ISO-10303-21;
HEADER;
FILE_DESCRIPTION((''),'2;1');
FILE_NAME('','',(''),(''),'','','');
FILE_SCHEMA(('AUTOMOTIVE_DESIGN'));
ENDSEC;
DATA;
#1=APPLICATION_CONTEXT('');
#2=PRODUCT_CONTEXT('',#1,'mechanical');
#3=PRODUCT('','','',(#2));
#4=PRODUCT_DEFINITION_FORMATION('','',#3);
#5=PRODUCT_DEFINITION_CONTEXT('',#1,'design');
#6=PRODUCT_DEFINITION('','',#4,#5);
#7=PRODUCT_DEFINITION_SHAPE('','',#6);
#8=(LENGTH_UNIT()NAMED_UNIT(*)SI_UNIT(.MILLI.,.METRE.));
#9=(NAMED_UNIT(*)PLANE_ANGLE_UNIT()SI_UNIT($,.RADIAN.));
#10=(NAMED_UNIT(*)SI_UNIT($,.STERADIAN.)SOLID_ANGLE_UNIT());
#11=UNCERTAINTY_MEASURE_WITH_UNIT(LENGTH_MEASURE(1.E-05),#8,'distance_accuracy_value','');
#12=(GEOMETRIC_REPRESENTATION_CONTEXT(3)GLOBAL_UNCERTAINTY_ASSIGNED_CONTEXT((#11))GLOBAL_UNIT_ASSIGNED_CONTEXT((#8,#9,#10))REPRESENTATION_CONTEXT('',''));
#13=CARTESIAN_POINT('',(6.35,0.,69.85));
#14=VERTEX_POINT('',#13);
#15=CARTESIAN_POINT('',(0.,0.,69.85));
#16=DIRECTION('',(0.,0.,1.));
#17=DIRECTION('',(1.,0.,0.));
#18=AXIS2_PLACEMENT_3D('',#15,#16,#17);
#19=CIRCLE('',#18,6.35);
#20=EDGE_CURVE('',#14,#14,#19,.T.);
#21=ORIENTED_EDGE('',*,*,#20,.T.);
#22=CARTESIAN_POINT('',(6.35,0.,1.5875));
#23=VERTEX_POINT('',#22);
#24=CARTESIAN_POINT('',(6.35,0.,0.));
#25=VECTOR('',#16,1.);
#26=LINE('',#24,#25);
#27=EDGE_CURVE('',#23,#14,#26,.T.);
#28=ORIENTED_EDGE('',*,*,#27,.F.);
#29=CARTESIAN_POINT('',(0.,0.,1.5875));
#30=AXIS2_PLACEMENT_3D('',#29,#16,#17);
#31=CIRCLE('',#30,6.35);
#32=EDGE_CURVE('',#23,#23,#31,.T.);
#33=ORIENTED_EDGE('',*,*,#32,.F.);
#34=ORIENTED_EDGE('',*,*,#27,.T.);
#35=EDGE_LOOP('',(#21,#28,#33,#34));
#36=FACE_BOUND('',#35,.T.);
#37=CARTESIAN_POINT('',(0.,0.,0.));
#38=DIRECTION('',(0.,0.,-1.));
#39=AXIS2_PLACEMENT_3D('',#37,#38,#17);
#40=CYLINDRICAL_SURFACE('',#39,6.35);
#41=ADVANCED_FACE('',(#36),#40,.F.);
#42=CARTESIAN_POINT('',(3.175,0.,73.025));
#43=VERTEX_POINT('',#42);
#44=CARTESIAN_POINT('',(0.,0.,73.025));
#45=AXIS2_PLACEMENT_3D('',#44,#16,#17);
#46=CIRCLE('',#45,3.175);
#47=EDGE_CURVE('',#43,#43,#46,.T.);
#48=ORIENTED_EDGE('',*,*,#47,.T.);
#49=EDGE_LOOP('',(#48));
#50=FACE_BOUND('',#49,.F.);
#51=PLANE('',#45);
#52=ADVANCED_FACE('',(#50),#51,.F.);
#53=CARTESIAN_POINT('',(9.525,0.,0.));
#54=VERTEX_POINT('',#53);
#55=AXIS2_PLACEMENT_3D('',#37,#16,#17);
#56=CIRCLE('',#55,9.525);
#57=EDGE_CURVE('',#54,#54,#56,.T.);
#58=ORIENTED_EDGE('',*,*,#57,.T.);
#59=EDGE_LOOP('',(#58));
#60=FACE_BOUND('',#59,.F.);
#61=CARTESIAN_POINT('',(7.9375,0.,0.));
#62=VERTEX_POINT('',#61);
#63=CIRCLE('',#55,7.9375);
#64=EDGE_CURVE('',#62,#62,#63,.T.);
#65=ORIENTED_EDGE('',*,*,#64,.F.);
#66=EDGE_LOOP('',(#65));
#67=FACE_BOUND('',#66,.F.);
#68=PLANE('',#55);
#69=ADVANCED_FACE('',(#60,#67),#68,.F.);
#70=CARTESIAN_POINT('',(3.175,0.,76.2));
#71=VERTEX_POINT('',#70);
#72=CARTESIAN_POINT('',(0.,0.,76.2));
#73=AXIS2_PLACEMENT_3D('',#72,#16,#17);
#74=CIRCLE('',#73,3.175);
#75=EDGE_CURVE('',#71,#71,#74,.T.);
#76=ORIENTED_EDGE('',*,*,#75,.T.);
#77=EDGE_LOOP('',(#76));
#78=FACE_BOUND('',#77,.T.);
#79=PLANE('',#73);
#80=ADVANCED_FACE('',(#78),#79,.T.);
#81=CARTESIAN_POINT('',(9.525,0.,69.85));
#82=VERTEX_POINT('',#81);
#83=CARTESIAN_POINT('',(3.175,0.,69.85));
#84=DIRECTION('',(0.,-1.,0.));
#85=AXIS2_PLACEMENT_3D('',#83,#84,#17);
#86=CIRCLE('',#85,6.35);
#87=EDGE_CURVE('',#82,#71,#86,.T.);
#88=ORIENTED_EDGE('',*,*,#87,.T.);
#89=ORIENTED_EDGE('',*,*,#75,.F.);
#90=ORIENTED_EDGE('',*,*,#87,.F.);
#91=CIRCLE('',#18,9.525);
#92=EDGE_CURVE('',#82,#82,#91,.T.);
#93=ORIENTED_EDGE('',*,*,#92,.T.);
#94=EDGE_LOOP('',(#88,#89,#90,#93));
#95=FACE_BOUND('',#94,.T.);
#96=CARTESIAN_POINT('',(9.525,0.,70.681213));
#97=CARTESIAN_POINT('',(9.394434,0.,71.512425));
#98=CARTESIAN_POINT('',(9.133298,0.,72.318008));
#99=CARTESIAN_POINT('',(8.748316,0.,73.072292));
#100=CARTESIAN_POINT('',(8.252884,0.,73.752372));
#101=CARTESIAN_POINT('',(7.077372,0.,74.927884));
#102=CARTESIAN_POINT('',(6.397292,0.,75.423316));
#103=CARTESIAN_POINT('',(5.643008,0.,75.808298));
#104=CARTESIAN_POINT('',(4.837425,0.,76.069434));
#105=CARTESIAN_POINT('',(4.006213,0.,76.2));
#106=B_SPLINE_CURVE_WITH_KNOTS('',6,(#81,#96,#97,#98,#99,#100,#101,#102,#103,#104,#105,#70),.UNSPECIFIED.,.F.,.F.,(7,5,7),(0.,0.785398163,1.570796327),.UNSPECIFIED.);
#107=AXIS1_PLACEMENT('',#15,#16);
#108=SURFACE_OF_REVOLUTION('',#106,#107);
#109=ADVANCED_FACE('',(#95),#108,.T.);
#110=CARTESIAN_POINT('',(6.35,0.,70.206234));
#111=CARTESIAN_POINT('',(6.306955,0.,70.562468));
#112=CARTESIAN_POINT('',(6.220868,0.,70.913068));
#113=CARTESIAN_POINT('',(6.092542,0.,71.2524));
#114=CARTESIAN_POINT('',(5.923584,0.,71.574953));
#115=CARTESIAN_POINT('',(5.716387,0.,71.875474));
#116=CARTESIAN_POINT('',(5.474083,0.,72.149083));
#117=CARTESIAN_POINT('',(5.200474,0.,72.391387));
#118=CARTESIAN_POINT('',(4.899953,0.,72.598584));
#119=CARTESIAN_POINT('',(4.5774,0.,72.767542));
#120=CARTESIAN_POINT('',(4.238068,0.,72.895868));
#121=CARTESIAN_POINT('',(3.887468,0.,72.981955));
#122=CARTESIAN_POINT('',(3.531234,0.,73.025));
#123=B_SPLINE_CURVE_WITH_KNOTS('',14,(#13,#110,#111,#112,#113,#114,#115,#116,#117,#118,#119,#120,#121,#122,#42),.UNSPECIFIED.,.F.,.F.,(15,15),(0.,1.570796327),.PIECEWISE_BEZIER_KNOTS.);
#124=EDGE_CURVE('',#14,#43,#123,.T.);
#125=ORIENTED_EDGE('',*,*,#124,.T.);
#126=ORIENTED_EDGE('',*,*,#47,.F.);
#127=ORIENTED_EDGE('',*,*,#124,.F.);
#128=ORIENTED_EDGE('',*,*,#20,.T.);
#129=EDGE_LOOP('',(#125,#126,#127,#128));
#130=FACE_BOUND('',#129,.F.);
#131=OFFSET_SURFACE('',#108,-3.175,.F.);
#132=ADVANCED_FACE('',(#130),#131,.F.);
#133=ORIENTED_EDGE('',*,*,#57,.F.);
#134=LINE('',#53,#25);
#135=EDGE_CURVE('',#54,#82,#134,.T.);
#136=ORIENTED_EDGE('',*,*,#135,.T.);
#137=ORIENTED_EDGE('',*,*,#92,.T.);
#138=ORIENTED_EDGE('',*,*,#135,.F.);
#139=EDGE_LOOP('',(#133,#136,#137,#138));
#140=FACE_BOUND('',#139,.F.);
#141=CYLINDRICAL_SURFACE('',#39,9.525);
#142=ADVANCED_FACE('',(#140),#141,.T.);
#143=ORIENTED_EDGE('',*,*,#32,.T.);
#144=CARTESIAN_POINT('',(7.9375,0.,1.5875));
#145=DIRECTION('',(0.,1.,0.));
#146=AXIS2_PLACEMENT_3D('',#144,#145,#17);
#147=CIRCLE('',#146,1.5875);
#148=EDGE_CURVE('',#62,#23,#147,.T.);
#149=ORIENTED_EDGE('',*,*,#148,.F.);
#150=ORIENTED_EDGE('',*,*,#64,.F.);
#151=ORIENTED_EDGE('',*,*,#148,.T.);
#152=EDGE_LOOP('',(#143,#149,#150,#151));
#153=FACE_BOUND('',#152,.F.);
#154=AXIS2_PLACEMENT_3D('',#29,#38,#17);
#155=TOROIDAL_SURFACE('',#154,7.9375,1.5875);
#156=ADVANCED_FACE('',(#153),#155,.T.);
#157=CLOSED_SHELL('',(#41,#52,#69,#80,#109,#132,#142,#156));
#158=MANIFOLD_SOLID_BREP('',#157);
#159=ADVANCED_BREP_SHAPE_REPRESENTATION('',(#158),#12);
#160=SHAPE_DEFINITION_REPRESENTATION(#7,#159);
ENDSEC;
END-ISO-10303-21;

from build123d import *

# Parameters (mm, degrees)
F0_R     = 9.525
F1_DEPTH = 76.2
F2_R     = 6.35
F3_T     = -3.175
F4_R     = 1.5875


with BuildPart() as f1:
    # F0 (on Top) → F1 (new body)
    with BuildSketch(Plane.XY):
        Circle(F0_R)
    extrude(amount=F1_DEPTH)

    # F2
    f2_edges = [f1.edges().sort_by_distance(p)[0] for p in [
        (-9.525, 0, 76.2),
    ]]
    fillet(f2_edges, radius=F2_R)

    # F3
    f3_openings = [f1.faces().sort_by_distance(p)[0] for p in [
        (0, 0, 0),
    ]]
    offset(amount=F3_T, openings=f3_openings)

    # F4
    f4_edges = [f1.edges().sort_by_distance(p)[0] for p in [
        (-6.35, 0, 0),
    ]]
    fillet(f4_edges, radius=F4_R)


solid = f1.part
